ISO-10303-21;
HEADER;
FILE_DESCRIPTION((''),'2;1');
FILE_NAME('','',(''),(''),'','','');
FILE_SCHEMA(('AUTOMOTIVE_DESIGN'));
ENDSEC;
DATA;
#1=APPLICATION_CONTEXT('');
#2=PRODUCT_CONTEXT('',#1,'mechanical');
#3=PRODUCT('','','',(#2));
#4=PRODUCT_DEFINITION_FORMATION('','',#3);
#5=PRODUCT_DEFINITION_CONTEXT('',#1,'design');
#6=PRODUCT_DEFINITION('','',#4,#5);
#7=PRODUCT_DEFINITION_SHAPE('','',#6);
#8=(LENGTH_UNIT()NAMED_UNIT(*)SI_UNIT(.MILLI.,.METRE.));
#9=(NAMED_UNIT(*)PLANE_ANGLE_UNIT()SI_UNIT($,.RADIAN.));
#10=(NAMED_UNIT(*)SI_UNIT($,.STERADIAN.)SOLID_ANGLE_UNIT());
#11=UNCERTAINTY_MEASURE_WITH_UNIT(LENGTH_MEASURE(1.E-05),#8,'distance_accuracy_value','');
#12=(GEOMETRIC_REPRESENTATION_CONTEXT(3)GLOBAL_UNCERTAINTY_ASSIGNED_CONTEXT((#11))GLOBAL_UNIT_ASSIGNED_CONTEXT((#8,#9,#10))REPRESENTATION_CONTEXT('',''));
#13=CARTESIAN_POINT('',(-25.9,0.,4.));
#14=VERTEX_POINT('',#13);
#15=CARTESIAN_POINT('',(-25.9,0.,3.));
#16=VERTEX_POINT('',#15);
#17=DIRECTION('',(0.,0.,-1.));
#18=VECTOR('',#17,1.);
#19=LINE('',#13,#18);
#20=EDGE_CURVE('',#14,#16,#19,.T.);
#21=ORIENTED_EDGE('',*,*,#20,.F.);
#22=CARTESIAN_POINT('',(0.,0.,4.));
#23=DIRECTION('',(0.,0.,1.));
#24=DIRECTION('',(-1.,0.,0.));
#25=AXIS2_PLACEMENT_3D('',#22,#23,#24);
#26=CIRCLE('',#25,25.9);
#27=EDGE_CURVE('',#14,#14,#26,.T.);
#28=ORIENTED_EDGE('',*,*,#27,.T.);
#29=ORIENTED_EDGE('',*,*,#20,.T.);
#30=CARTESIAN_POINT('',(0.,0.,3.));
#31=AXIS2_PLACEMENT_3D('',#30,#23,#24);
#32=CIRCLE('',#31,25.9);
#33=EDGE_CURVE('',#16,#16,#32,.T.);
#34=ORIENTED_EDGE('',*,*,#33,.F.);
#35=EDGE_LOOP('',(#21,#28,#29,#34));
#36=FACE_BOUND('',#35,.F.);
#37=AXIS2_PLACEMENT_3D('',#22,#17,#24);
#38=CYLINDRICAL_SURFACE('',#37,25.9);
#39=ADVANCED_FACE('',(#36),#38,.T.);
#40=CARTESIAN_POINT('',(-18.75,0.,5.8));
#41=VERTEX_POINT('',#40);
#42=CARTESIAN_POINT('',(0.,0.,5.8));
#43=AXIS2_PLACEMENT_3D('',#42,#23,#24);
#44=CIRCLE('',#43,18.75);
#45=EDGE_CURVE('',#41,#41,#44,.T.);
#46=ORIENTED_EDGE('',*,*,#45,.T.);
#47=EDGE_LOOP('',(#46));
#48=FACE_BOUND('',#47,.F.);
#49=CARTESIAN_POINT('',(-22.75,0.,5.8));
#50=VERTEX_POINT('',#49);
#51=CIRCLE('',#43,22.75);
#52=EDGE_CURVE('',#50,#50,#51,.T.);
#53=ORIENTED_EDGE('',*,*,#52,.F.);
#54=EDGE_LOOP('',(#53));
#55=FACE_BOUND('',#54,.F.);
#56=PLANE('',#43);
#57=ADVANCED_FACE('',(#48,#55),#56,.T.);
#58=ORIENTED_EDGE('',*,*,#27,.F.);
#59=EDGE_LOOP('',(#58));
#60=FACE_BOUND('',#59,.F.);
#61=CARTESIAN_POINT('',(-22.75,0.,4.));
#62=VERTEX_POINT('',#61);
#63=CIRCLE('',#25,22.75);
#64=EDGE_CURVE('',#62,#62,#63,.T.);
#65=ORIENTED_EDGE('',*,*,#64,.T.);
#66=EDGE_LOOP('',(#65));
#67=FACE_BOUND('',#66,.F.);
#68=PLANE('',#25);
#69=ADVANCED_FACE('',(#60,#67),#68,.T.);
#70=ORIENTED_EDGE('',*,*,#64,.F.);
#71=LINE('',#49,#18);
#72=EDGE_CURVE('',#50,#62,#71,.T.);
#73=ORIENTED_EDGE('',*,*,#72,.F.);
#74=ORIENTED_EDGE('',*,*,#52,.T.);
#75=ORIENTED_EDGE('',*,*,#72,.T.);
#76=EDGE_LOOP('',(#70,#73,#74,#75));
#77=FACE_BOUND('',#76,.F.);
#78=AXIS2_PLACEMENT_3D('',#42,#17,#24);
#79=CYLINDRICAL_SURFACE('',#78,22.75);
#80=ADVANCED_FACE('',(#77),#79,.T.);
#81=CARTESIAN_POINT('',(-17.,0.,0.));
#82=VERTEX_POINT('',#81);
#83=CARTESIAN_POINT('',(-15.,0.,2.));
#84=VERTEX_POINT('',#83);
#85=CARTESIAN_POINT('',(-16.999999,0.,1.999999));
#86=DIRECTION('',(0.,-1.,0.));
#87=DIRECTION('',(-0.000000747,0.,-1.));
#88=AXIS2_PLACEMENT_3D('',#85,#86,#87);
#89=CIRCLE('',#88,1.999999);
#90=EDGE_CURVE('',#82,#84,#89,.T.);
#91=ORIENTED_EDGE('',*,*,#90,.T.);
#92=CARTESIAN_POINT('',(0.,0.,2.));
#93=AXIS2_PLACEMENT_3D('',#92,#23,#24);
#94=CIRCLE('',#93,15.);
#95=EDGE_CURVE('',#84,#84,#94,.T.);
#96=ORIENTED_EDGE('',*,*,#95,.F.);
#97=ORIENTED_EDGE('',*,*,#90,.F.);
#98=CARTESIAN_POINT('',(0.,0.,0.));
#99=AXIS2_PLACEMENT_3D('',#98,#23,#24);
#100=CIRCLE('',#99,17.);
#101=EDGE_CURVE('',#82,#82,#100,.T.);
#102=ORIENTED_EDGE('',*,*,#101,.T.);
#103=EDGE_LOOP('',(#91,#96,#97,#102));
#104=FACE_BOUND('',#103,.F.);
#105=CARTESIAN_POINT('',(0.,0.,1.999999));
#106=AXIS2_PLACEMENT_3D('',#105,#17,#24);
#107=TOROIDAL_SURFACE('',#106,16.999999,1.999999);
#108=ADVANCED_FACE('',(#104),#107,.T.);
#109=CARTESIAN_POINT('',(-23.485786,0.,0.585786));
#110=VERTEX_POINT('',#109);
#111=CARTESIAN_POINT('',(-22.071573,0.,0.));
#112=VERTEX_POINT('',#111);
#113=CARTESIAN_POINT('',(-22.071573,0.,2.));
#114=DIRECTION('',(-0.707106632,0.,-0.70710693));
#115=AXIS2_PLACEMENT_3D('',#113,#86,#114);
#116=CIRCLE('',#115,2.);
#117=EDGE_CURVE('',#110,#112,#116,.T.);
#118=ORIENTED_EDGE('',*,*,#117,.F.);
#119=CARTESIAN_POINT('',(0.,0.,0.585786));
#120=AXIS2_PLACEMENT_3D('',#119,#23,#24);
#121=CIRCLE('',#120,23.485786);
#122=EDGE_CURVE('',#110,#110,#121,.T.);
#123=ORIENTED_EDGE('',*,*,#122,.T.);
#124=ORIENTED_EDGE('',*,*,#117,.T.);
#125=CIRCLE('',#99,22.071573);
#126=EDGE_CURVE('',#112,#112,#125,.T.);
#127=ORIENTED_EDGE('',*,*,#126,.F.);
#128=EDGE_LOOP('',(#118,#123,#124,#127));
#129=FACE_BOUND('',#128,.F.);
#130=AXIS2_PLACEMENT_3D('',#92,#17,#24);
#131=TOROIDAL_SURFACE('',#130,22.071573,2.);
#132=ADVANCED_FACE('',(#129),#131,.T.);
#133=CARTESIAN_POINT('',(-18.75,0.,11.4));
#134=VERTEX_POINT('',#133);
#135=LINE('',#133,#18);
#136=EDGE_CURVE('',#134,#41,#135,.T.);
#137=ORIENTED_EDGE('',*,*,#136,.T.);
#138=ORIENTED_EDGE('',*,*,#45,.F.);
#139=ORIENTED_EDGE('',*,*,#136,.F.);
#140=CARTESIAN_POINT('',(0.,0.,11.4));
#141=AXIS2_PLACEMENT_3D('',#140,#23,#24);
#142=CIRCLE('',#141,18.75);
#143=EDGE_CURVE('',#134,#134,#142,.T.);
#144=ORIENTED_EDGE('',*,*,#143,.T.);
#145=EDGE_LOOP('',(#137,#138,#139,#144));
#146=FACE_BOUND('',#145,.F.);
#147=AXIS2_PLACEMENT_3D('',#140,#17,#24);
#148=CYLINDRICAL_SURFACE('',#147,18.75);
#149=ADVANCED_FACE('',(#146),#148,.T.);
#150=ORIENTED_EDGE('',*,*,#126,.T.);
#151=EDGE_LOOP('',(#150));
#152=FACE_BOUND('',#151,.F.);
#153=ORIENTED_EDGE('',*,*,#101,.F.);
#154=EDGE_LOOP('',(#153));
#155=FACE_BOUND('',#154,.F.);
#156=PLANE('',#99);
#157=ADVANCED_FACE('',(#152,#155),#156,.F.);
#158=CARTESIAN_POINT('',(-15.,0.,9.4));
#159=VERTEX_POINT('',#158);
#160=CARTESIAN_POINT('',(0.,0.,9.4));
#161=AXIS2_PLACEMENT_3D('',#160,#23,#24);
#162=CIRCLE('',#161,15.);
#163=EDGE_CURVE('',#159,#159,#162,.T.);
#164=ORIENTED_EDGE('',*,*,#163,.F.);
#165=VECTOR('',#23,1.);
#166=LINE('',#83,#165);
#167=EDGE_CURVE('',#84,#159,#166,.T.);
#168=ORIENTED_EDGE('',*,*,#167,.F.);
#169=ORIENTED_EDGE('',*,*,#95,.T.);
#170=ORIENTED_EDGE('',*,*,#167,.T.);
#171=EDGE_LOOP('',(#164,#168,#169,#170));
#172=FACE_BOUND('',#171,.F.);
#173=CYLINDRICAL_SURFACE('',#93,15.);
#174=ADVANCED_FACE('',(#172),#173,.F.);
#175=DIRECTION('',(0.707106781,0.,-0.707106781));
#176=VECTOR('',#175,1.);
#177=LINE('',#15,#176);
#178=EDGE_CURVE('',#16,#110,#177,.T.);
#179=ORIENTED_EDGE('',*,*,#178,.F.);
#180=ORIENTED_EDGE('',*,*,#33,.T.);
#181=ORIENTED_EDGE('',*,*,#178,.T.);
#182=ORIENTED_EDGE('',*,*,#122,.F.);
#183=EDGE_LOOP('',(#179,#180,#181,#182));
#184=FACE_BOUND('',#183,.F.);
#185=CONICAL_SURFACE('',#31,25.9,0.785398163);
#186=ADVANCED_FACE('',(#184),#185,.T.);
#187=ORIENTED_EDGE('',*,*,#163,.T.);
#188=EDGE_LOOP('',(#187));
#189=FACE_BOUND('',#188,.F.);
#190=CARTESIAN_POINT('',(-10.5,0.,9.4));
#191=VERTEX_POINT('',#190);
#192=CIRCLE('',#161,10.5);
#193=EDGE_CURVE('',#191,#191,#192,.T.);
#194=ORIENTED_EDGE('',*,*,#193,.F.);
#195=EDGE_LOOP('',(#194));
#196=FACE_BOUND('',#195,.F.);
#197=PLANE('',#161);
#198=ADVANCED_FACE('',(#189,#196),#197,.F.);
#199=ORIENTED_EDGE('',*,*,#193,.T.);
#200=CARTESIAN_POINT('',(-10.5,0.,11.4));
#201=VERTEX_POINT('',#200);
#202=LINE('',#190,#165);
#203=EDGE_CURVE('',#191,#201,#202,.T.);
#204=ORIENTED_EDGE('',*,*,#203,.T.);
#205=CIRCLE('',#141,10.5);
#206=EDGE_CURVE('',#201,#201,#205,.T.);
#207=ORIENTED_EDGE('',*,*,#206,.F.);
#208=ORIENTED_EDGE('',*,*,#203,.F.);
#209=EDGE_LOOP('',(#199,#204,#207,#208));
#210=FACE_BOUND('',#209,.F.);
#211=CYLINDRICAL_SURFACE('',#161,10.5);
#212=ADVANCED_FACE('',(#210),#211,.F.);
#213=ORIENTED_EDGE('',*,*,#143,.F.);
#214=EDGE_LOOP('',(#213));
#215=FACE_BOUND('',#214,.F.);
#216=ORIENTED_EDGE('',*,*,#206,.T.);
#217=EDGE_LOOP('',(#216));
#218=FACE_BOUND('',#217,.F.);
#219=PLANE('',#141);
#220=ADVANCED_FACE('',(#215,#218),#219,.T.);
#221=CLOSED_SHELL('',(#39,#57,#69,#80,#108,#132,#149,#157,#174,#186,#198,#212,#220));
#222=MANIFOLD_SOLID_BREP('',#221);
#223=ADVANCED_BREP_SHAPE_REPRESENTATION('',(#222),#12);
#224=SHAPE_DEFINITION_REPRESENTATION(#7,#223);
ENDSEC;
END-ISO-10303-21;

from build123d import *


with BuildPart() as f1:
    # F0 (on Front) → F1 (revolve)
    with BuildSketch(Plane.XZ):
        with BuildLine():
            Line((-22.071573, 0), (-17, 0))
            ThreePointArc((-17, 0), (-15.585786, 0.585786), (-15, 2))
            Line((-15, 2), (-15, 9.4))
            Line((-15, 9.4), (-10.5, 9.4))
            Line((-10.5, 9.4), (-10.5, 11.4))
            Line((-10.5, 11.4), (-18.75, 11.4))
            Line((-18.75, 11.4), (-18.75, 5.8))
            Line((-18.75, 5.8), (-22.75, 5.8))
            Line((-22.75, 5.8), (-22.75, 4))
            Line((-22.75, 4), (-25.9, 4))
            Line((-25.9, 4), (-25.9, 3))
            Line((-25.9, 3), (-23.485786, 0.585786))
            ThreePointArc((-23.485786, 0.585786), (-22.83694, 0.152241), (-22.071573, 0))
        make_face()
    revolve(axis=Axis((0, 0, 5.7), (0, 0, 1)))


solid = f1.part
